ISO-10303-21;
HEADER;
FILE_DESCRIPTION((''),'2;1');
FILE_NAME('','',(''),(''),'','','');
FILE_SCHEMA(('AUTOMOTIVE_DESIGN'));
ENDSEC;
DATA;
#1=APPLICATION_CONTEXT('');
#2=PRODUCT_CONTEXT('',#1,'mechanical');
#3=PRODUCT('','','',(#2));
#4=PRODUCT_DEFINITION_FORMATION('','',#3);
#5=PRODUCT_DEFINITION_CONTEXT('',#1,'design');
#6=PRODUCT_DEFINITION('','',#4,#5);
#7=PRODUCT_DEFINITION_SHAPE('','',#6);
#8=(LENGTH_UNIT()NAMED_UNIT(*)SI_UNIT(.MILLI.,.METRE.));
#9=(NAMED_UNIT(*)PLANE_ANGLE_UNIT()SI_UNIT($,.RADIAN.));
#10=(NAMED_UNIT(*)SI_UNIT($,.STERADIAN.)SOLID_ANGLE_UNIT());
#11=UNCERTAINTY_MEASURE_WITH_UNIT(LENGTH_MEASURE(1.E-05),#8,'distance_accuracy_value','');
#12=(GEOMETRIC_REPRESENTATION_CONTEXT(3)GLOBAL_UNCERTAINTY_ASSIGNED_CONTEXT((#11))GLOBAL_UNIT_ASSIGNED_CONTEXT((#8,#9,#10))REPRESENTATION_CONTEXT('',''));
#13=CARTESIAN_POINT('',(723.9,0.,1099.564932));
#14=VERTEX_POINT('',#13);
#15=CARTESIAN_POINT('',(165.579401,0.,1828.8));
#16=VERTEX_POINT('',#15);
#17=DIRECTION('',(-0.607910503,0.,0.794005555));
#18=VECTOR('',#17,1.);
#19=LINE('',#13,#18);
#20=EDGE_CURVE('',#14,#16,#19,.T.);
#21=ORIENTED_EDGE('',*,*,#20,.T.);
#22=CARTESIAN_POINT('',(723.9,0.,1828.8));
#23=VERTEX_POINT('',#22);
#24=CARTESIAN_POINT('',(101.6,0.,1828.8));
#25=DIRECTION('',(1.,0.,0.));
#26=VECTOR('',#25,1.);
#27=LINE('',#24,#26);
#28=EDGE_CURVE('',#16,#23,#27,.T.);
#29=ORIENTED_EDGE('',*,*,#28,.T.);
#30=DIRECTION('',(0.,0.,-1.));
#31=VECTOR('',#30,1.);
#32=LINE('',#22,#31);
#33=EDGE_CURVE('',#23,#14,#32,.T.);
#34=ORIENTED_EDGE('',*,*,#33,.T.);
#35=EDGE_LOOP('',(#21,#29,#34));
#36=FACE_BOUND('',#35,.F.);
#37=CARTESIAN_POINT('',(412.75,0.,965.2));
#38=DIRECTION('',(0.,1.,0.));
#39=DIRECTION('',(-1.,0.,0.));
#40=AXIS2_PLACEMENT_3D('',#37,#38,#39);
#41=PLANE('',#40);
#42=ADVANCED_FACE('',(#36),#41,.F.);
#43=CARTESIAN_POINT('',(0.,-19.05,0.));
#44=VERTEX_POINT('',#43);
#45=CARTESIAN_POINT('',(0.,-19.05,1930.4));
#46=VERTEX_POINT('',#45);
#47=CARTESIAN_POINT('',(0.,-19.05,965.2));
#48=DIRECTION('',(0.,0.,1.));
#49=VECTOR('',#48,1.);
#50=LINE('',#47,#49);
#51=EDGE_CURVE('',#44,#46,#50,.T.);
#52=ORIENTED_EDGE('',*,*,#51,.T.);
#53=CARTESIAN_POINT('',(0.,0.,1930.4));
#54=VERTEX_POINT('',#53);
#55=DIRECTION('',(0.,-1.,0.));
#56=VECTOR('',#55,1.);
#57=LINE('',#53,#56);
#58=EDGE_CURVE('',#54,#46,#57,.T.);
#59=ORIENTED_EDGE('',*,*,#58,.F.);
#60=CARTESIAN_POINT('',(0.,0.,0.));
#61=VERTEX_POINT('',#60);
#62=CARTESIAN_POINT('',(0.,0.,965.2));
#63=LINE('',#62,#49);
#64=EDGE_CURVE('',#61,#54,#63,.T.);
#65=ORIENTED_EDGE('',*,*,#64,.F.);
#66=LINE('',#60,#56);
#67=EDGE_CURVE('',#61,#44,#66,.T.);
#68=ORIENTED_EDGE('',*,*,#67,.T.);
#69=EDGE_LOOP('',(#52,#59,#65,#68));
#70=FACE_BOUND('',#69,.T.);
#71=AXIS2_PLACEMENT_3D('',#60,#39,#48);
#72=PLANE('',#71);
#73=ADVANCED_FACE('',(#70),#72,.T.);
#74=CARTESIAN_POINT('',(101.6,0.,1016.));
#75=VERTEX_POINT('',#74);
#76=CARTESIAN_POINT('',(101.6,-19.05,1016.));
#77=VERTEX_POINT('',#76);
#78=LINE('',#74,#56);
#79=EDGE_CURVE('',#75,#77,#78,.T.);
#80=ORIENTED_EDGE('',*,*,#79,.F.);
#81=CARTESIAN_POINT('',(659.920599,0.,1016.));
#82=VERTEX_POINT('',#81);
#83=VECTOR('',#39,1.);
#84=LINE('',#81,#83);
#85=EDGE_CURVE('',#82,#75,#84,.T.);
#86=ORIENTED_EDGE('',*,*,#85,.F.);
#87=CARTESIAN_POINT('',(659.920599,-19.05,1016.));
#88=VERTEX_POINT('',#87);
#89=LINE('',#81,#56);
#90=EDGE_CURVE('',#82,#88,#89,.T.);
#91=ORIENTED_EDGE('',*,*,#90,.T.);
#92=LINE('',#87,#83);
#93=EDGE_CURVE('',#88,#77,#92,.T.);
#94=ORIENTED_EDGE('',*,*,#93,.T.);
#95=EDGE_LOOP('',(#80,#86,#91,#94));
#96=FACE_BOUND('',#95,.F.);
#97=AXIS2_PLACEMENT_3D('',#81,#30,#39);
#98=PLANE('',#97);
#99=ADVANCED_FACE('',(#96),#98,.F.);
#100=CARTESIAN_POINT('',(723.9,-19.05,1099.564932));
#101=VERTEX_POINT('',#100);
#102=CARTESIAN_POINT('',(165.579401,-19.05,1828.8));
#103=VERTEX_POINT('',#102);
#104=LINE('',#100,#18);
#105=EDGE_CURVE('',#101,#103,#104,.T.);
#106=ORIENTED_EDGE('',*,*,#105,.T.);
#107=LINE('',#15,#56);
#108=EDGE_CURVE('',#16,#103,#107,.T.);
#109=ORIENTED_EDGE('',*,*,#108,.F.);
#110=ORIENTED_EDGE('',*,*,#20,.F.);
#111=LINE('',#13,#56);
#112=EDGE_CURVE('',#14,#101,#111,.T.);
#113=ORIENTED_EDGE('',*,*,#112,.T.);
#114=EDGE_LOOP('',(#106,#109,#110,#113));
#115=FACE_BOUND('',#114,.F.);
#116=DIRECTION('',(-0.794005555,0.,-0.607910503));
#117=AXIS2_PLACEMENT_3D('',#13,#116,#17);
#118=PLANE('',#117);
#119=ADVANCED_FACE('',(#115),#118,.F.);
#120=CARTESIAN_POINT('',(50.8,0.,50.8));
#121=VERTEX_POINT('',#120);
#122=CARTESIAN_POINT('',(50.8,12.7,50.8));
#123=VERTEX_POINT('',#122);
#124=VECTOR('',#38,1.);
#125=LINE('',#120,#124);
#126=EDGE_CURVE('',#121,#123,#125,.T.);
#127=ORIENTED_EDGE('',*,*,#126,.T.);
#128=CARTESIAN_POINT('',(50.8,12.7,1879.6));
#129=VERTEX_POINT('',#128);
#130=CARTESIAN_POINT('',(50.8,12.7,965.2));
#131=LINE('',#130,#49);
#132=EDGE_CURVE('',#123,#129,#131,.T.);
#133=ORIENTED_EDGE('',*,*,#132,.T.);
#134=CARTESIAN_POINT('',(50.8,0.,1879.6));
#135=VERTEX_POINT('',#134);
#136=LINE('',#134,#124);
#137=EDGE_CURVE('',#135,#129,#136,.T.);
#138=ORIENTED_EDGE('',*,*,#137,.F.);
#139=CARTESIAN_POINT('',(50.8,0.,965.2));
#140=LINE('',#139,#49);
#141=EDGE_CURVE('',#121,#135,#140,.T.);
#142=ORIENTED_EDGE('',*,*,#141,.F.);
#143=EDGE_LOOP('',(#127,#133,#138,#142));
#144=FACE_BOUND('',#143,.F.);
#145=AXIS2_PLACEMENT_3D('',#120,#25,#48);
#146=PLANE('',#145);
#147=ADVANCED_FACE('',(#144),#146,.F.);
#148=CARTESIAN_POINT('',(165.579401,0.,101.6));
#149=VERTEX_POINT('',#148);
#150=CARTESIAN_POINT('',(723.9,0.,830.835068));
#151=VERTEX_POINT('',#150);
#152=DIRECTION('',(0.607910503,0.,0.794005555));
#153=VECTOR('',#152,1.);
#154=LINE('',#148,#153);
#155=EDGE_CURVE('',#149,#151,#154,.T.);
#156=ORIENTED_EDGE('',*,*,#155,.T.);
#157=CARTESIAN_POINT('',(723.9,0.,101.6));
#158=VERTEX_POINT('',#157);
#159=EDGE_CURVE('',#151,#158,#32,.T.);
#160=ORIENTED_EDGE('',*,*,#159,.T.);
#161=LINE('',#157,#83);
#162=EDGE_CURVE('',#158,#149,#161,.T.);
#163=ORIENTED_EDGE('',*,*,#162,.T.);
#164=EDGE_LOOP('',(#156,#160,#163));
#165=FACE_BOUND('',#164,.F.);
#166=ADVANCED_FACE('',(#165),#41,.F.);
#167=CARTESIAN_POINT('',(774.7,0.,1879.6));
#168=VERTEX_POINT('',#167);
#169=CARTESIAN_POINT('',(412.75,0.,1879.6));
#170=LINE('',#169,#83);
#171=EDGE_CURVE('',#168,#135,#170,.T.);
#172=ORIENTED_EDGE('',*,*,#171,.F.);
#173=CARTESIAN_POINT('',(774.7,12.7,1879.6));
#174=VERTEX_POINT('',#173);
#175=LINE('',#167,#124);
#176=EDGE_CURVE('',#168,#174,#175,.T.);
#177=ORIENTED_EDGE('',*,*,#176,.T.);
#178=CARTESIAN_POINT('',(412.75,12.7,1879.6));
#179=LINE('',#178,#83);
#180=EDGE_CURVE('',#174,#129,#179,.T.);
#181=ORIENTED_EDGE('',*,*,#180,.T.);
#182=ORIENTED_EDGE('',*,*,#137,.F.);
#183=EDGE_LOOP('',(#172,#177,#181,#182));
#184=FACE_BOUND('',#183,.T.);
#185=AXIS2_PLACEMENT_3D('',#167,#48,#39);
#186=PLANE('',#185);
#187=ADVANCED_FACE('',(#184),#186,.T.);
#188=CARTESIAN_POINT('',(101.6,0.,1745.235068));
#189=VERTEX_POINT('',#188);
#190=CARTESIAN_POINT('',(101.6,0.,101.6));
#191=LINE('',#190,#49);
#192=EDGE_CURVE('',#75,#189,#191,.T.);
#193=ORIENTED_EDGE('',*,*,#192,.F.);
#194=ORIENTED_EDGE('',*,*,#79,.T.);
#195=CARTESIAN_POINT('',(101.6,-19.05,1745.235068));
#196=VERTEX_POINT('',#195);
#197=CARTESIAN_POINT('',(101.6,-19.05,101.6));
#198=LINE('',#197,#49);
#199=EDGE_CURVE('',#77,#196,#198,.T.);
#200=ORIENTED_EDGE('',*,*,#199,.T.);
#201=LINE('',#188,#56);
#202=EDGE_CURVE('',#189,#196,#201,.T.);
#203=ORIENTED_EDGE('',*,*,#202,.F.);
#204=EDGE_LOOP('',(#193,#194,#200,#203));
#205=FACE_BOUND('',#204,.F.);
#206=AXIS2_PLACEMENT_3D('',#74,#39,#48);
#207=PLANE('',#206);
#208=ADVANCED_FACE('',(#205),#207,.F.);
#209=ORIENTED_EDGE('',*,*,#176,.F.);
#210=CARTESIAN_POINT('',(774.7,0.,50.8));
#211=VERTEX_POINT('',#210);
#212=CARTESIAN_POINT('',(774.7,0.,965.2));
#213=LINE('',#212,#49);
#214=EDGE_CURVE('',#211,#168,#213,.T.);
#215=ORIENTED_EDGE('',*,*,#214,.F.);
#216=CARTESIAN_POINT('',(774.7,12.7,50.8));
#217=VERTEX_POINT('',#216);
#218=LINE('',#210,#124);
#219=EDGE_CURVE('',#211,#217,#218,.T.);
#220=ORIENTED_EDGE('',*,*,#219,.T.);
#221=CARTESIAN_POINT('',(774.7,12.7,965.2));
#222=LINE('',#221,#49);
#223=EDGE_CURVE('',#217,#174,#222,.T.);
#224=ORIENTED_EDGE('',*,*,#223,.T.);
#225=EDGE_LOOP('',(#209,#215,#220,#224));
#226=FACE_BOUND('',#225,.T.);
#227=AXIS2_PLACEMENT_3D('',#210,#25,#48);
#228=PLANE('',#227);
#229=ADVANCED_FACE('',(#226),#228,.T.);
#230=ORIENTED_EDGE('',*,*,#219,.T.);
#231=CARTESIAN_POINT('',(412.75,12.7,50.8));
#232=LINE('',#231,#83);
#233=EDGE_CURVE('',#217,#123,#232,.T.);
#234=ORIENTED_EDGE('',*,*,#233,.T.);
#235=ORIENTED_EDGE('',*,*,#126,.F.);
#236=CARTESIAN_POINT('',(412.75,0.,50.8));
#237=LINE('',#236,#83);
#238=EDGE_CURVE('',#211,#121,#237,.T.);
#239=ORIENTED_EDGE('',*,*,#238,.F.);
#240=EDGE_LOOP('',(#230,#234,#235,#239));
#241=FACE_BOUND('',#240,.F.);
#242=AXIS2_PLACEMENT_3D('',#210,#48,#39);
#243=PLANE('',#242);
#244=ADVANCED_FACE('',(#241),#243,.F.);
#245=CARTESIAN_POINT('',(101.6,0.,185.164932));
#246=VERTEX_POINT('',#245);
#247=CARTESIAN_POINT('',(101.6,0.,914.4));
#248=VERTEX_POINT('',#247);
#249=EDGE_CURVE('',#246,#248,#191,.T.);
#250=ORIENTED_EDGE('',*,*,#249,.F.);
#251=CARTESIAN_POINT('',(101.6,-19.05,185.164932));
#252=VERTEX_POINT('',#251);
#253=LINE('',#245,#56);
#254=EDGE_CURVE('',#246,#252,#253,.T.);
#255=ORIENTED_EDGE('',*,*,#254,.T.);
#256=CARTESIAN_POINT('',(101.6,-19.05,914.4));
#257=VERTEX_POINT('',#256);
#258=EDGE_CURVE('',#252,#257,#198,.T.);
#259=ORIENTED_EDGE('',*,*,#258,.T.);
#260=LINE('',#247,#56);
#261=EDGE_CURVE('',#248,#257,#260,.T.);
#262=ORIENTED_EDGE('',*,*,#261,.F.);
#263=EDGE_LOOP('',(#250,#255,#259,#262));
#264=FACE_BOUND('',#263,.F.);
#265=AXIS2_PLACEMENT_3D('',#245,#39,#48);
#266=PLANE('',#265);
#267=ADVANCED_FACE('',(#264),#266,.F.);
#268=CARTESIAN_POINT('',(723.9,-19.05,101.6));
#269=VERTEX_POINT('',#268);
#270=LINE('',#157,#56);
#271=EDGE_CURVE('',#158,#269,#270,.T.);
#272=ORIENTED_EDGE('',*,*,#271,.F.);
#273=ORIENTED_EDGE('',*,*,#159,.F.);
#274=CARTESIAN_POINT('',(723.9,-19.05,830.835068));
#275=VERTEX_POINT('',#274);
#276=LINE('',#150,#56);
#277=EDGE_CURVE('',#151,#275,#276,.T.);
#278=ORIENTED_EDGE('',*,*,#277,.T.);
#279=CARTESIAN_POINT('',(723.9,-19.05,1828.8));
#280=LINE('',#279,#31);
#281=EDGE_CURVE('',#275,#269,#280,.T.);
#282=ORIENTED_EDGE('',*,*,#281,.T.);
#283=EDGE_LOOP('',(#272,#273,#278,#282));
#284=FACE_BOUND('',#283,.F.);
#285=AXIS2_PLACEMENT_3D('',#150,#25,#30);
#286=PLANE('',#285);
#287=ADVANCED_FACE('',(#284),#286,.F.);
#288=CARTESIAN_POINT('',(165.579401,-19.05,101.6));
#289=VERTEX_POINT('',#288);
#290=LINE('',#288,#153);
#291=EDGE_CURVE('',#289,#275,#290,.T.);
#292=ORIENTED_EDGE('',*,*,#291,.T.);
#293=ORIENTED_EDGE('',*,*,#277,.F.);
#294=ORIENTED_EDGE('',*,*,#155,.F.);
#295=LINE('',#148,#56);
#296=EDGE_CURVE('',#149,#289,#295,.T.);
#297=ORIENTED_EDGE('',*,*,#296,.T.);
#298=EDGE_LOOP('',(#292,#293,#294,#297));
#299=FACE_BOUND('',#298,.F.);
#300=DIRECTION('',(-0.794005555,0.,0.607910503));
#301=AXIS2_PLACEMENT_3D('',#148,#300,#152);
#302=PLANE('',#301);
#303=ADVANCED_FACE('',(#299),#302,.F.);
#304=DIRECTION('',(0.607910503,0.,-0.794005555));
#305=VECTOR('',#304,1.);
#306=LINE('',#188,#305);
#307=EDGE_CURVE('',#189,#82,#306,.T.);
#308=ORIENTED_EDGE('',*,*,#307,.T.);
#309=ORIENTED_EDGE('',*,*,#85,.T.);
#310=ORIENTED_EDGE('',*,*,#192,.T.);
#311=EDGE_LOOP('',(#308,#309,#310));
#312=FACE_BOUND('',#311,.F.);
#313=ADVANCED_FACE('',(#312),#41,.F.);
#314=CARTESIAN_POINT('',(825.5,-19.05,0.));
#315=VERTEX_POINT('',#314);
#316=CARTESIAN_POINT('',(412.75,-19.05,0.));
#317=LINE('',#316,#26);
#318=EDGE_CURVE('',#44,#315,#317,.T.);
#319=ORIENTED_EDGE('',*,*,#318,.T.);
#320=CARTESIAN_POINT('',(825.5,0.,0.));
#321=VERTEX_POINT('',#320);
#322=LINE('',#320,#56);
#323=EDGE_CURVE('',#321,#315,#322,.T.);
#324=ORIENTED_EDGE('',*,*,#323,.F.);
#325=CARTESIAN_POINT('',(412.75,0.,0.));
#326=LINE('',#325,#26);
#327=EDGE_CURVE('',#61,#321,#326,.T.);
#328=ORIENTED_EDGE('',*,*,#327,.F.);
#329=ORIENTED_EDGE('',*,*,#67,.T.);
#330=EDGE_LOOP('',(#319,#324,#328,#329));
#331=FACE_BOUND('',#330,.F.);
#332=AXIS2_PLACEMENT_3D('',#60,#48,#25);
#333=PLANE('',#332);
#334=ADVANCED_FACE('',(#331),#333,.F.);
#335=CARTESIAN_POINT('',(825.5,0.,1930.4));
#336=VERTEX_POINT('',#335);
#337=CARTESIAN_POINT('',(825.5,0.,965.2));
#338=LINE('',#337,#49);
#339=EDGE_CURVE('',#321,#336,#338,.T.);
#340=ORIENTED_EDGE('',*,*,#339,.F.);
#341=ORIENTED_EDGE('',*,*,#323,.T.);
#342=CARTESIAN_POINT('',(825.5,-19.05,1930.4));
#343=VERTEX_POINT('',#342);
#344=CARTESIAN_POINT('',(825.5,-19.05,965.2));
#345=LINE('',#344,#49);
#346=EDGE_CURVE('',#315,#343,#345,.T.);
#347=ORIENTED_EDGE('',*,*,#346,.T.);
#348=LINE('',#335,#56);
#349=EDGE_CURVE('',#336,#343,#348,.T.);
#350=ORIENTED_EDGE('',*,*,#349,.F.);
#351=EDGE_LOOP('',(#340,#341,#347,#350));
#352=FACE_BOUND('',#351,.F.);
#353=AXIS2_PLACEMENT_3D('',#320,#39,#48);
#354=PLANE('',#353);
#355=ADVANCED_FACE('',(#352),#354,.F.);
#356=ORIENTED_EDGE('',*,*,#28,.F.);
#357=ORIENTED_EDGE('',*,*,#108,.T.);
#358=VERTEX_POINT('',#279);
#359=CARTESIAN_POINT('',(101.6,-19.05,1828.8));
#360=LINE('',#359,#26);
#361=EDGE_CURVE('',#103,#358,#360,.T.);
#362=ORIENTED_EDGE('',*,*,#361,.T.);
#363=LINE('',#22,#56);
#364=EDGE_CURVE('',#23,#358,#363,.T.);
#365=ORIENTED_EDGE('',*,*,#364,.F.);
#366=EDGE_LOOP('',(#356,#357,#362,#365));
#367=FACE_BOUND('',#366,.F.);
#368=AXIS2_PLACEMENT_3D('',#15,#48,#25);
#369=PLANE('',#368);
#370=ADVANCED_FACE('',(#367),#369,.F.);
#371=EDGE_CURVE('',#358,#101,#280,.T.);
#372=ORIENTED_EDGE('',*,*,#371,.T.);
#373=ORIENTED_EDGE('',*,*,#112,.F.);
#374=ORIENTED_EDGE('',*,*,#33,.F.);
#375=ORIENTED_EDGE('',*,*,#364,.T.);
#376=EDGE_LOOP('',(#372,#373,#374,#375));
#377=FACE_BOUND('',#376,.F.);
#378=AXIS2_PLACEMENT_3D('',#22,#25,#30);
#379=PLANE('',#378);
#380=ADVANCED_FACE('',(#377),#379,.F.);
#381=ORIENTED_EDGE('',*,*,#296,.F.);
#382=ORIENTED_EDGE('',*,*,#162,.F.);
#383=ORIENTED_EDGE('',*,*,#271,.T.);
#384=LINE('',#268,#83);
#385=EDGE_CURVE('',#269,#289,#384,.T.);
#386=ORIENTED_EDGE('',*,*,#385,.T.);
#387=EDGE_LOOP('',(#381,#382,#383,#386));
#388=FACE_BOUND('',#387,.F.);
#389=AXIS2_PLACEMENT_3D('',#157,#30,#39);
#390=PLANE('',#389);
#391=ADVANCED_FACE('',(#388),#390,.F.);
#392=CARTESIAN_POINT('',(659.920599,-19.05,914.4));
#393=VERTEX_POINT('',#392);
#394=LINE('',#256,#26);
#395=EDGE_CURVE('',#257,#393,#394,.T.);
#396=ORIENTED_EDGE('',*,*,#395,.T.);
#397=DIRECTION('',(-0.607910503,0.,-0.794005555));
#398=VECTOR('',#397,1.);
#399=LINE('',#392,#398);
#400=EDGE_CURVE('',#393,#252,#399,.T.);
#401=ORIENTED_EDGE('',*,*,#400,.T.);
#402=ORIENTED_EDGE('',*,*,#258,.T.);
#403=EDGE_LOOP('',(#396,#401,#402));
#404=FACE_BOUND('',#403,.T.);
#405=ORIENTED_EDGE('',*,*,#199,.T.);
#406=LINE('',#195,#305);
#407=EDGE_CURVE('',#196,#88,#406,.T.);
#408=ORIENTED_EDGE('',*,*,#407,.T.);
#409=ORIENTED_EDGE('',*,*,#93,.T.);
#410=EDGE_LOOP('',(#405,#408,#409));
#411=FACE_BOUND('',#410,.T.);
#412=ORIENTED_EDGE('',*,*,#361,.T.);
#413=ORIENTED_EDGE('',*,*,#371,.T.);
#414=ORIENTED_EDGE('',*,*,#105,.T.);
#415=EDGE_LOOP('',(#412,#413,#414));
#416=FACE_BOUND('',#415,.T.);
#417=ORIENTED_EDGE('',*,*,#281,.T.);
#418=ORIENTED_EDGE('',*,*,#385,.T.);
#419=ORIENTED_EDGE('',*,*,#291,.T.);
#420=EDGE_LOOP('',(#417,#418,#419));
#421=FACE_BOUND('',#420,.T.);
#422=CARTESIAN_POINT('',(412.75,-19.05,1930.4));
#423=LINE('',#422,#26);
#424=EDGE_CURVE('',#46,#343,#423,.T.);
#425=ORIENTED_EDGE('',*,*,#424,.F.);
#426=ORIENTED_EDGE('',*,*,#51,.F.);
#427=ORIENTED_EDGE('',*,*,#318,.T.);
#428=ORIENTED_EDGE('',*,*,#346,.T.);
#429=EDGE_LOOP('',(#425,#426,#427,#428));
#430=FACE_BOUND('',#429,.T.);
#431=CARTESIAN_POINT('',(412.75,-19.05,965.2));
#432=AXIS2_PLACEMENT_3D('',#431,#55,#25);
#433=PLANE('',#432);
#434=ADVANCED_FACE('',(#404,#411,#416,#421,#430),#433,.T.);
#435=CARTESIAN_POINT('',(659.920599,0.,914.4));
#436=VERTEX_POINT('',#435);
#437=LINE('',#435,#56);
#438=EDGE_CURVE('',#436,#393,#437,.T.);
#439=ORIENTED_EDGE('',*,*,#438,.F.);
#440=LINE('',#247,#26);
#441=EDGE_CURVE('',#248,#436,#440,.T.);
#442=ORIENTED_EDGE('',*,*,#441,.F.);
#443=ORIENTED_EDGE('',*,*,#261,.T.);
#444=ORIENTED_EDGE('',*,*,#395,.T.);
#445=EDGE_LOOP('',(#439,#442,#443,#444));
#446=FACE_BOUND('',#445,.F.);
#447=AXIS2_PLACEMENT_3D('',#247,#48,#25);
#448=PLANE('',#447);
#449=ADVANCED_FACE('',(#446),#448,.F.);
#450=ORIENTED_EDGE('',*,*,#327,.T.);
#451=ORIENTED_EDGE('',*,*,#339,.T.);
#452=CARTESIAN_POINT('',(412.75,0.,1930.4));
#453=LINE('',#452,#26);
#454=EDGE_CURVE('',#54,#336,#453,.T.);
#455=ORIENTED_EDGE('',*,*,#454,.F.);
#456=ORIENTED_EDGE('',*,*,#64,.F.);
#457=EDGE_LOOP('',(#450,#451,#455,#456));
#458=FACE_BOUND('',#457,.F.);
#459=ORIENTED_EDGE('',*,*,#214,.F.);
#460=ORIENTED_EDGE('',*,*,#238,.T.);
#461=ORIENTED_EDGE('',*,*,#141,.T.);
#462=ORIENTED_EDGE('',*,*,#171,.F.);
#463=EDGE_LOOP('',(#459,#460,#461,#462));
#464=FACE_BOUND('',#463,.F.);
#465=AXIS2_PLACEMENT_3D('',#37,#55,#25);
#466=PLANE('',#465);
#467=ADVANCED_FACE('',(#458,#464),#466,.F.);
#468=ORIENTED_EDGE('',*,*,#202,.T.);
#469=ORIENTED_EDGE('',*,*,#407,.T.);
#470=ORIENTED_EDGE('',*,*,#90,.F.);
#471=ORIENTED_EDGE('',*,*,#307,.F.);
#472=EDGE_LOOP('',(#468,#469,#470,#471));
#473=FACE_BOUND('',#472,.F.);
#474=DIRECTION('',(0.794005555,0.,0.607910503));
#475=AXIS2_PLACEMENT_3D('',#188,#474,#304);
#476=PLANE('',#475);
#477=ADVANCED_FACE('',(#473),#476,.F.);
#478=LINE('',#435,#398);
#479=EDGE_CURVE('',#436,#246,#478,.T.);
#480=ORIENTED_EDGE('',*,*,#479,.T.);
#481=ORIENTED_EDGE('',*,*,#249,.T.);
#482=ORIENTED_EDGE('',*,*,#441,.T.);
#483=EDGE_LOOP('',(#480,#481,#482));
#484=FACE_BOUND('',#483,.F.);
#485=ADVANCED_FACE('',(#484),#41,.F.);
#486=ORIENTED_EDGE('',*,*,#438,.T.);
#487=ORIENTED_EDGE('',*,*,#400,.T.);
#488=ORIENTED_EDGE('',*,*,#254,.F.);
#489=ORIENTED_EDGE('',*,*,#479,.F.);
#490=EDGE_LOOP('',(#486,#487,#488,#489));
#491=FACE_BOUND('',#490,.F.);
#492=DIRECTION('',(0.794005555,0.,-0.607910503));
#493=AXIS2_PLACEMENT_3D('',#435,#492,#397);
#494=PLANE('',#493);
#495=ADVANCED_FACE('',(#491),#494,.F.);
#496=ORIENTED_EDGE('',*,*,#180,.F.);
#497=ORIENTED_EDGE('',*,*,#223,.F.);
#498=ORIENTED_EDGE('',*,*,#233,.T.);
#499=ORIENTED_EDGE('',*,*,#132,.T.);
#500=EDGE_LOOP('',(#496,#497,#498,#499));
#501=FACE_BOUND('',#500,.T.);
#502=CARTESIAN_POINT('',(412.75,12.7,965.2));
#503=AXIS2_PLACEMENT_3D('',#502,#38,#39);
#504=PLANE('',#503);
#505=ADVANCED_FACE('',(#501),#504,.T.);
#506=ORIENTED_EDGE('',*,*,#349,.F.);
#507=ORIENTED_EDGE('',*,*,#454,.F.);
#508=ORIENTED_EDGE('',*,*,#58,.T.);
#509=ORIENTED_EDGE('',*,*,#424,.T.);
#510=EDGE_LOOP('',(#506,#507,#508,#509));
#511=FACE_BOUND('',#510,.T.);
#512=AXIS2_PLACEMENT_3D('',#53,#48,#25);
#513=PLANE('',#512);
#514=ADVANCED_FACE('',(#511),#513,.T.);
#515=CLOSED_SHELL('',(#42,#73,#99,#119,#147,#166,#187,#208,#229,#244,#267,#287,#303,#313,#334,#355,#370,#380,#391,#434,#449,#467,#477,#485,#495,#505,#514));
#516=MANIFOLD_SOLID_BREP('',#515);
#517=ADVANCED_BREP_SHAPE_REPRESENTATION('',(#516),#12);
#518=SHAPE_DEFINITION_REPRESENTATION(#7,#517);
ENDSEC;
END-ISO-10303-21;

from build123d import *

# Parameters (mm, degrees)
F0_W     = 825.5
F0_H     = 1930.4
F1_DEPTH = 19.05
F2_W     = 723.9
F2_H     = 1828.8
F3_DEPTH = 12.7


with BuildPart() as f1:
    # F0 (on Front) → F1 (new body)
    with BuildSketch(Plane.XZ):
        with Locations((412.75, 965.2)):
            Rectangle(F0_W, F0_H)
        Polygon((101.6, 185.164932), (101.6, 914.4), (101.6, 965.2), (101.6, 1016), (101.6, 1745.235068), (101.6, 1828.8), (165.579401, 1828.8), (723.9, 1828.8), (723.9, 1099.564932), (723.9, 1016), (723.9, 965.2), (723.9, 914.4), (723.9, 830.835068), (723.9, 101.6), (165.579401, 101.6), (101.6, 101.6), align=None, mode=Mode.SUBTRACT)
        Polygon((101.6, 1828.8), (101.6, 1745.235068), (659.920599, 1016), (723.9, 1016), align=None)
        Polygon((101.6, 1828.8), (723.9, 1016), (723.9, 1099.564932), (165.579401, 1828.8), align=None)
        Polygon((101.6, 1016), (101.6, 965.2), (723.9, 965.2), (723.9, 1016), (659.920599, 1016), align=None)
        Polygon((101.6, 965.2), (101.6, 914.4), (659.920599, 914.4), (723.9, 914.4), (723.9, 965.2), align=None)
        Polygon((659.920599, 914.4), (101.6, 185.164932), (101.6, 101.6), (723.9, 914.4), align=None)
        Polygon((723.9, 914.4), (101.6, 101.6), (165.579401, 101.6), (723.9, 830.835068), align=None)
    extrude(amount=F1_DEPTH)

    # F2 (on face) → F3 (join)
    with BuildSketch(Plane(origin=(0, 0, 0), x_dir=(-1, 0, 0), z_dir=(0, 1, 0))):
        with Locations((-412.75, 965.2)):
            Rectangle(F2_W, F2_H)
    extrude(amount=F3_DEPTH)


solid = f1.part
